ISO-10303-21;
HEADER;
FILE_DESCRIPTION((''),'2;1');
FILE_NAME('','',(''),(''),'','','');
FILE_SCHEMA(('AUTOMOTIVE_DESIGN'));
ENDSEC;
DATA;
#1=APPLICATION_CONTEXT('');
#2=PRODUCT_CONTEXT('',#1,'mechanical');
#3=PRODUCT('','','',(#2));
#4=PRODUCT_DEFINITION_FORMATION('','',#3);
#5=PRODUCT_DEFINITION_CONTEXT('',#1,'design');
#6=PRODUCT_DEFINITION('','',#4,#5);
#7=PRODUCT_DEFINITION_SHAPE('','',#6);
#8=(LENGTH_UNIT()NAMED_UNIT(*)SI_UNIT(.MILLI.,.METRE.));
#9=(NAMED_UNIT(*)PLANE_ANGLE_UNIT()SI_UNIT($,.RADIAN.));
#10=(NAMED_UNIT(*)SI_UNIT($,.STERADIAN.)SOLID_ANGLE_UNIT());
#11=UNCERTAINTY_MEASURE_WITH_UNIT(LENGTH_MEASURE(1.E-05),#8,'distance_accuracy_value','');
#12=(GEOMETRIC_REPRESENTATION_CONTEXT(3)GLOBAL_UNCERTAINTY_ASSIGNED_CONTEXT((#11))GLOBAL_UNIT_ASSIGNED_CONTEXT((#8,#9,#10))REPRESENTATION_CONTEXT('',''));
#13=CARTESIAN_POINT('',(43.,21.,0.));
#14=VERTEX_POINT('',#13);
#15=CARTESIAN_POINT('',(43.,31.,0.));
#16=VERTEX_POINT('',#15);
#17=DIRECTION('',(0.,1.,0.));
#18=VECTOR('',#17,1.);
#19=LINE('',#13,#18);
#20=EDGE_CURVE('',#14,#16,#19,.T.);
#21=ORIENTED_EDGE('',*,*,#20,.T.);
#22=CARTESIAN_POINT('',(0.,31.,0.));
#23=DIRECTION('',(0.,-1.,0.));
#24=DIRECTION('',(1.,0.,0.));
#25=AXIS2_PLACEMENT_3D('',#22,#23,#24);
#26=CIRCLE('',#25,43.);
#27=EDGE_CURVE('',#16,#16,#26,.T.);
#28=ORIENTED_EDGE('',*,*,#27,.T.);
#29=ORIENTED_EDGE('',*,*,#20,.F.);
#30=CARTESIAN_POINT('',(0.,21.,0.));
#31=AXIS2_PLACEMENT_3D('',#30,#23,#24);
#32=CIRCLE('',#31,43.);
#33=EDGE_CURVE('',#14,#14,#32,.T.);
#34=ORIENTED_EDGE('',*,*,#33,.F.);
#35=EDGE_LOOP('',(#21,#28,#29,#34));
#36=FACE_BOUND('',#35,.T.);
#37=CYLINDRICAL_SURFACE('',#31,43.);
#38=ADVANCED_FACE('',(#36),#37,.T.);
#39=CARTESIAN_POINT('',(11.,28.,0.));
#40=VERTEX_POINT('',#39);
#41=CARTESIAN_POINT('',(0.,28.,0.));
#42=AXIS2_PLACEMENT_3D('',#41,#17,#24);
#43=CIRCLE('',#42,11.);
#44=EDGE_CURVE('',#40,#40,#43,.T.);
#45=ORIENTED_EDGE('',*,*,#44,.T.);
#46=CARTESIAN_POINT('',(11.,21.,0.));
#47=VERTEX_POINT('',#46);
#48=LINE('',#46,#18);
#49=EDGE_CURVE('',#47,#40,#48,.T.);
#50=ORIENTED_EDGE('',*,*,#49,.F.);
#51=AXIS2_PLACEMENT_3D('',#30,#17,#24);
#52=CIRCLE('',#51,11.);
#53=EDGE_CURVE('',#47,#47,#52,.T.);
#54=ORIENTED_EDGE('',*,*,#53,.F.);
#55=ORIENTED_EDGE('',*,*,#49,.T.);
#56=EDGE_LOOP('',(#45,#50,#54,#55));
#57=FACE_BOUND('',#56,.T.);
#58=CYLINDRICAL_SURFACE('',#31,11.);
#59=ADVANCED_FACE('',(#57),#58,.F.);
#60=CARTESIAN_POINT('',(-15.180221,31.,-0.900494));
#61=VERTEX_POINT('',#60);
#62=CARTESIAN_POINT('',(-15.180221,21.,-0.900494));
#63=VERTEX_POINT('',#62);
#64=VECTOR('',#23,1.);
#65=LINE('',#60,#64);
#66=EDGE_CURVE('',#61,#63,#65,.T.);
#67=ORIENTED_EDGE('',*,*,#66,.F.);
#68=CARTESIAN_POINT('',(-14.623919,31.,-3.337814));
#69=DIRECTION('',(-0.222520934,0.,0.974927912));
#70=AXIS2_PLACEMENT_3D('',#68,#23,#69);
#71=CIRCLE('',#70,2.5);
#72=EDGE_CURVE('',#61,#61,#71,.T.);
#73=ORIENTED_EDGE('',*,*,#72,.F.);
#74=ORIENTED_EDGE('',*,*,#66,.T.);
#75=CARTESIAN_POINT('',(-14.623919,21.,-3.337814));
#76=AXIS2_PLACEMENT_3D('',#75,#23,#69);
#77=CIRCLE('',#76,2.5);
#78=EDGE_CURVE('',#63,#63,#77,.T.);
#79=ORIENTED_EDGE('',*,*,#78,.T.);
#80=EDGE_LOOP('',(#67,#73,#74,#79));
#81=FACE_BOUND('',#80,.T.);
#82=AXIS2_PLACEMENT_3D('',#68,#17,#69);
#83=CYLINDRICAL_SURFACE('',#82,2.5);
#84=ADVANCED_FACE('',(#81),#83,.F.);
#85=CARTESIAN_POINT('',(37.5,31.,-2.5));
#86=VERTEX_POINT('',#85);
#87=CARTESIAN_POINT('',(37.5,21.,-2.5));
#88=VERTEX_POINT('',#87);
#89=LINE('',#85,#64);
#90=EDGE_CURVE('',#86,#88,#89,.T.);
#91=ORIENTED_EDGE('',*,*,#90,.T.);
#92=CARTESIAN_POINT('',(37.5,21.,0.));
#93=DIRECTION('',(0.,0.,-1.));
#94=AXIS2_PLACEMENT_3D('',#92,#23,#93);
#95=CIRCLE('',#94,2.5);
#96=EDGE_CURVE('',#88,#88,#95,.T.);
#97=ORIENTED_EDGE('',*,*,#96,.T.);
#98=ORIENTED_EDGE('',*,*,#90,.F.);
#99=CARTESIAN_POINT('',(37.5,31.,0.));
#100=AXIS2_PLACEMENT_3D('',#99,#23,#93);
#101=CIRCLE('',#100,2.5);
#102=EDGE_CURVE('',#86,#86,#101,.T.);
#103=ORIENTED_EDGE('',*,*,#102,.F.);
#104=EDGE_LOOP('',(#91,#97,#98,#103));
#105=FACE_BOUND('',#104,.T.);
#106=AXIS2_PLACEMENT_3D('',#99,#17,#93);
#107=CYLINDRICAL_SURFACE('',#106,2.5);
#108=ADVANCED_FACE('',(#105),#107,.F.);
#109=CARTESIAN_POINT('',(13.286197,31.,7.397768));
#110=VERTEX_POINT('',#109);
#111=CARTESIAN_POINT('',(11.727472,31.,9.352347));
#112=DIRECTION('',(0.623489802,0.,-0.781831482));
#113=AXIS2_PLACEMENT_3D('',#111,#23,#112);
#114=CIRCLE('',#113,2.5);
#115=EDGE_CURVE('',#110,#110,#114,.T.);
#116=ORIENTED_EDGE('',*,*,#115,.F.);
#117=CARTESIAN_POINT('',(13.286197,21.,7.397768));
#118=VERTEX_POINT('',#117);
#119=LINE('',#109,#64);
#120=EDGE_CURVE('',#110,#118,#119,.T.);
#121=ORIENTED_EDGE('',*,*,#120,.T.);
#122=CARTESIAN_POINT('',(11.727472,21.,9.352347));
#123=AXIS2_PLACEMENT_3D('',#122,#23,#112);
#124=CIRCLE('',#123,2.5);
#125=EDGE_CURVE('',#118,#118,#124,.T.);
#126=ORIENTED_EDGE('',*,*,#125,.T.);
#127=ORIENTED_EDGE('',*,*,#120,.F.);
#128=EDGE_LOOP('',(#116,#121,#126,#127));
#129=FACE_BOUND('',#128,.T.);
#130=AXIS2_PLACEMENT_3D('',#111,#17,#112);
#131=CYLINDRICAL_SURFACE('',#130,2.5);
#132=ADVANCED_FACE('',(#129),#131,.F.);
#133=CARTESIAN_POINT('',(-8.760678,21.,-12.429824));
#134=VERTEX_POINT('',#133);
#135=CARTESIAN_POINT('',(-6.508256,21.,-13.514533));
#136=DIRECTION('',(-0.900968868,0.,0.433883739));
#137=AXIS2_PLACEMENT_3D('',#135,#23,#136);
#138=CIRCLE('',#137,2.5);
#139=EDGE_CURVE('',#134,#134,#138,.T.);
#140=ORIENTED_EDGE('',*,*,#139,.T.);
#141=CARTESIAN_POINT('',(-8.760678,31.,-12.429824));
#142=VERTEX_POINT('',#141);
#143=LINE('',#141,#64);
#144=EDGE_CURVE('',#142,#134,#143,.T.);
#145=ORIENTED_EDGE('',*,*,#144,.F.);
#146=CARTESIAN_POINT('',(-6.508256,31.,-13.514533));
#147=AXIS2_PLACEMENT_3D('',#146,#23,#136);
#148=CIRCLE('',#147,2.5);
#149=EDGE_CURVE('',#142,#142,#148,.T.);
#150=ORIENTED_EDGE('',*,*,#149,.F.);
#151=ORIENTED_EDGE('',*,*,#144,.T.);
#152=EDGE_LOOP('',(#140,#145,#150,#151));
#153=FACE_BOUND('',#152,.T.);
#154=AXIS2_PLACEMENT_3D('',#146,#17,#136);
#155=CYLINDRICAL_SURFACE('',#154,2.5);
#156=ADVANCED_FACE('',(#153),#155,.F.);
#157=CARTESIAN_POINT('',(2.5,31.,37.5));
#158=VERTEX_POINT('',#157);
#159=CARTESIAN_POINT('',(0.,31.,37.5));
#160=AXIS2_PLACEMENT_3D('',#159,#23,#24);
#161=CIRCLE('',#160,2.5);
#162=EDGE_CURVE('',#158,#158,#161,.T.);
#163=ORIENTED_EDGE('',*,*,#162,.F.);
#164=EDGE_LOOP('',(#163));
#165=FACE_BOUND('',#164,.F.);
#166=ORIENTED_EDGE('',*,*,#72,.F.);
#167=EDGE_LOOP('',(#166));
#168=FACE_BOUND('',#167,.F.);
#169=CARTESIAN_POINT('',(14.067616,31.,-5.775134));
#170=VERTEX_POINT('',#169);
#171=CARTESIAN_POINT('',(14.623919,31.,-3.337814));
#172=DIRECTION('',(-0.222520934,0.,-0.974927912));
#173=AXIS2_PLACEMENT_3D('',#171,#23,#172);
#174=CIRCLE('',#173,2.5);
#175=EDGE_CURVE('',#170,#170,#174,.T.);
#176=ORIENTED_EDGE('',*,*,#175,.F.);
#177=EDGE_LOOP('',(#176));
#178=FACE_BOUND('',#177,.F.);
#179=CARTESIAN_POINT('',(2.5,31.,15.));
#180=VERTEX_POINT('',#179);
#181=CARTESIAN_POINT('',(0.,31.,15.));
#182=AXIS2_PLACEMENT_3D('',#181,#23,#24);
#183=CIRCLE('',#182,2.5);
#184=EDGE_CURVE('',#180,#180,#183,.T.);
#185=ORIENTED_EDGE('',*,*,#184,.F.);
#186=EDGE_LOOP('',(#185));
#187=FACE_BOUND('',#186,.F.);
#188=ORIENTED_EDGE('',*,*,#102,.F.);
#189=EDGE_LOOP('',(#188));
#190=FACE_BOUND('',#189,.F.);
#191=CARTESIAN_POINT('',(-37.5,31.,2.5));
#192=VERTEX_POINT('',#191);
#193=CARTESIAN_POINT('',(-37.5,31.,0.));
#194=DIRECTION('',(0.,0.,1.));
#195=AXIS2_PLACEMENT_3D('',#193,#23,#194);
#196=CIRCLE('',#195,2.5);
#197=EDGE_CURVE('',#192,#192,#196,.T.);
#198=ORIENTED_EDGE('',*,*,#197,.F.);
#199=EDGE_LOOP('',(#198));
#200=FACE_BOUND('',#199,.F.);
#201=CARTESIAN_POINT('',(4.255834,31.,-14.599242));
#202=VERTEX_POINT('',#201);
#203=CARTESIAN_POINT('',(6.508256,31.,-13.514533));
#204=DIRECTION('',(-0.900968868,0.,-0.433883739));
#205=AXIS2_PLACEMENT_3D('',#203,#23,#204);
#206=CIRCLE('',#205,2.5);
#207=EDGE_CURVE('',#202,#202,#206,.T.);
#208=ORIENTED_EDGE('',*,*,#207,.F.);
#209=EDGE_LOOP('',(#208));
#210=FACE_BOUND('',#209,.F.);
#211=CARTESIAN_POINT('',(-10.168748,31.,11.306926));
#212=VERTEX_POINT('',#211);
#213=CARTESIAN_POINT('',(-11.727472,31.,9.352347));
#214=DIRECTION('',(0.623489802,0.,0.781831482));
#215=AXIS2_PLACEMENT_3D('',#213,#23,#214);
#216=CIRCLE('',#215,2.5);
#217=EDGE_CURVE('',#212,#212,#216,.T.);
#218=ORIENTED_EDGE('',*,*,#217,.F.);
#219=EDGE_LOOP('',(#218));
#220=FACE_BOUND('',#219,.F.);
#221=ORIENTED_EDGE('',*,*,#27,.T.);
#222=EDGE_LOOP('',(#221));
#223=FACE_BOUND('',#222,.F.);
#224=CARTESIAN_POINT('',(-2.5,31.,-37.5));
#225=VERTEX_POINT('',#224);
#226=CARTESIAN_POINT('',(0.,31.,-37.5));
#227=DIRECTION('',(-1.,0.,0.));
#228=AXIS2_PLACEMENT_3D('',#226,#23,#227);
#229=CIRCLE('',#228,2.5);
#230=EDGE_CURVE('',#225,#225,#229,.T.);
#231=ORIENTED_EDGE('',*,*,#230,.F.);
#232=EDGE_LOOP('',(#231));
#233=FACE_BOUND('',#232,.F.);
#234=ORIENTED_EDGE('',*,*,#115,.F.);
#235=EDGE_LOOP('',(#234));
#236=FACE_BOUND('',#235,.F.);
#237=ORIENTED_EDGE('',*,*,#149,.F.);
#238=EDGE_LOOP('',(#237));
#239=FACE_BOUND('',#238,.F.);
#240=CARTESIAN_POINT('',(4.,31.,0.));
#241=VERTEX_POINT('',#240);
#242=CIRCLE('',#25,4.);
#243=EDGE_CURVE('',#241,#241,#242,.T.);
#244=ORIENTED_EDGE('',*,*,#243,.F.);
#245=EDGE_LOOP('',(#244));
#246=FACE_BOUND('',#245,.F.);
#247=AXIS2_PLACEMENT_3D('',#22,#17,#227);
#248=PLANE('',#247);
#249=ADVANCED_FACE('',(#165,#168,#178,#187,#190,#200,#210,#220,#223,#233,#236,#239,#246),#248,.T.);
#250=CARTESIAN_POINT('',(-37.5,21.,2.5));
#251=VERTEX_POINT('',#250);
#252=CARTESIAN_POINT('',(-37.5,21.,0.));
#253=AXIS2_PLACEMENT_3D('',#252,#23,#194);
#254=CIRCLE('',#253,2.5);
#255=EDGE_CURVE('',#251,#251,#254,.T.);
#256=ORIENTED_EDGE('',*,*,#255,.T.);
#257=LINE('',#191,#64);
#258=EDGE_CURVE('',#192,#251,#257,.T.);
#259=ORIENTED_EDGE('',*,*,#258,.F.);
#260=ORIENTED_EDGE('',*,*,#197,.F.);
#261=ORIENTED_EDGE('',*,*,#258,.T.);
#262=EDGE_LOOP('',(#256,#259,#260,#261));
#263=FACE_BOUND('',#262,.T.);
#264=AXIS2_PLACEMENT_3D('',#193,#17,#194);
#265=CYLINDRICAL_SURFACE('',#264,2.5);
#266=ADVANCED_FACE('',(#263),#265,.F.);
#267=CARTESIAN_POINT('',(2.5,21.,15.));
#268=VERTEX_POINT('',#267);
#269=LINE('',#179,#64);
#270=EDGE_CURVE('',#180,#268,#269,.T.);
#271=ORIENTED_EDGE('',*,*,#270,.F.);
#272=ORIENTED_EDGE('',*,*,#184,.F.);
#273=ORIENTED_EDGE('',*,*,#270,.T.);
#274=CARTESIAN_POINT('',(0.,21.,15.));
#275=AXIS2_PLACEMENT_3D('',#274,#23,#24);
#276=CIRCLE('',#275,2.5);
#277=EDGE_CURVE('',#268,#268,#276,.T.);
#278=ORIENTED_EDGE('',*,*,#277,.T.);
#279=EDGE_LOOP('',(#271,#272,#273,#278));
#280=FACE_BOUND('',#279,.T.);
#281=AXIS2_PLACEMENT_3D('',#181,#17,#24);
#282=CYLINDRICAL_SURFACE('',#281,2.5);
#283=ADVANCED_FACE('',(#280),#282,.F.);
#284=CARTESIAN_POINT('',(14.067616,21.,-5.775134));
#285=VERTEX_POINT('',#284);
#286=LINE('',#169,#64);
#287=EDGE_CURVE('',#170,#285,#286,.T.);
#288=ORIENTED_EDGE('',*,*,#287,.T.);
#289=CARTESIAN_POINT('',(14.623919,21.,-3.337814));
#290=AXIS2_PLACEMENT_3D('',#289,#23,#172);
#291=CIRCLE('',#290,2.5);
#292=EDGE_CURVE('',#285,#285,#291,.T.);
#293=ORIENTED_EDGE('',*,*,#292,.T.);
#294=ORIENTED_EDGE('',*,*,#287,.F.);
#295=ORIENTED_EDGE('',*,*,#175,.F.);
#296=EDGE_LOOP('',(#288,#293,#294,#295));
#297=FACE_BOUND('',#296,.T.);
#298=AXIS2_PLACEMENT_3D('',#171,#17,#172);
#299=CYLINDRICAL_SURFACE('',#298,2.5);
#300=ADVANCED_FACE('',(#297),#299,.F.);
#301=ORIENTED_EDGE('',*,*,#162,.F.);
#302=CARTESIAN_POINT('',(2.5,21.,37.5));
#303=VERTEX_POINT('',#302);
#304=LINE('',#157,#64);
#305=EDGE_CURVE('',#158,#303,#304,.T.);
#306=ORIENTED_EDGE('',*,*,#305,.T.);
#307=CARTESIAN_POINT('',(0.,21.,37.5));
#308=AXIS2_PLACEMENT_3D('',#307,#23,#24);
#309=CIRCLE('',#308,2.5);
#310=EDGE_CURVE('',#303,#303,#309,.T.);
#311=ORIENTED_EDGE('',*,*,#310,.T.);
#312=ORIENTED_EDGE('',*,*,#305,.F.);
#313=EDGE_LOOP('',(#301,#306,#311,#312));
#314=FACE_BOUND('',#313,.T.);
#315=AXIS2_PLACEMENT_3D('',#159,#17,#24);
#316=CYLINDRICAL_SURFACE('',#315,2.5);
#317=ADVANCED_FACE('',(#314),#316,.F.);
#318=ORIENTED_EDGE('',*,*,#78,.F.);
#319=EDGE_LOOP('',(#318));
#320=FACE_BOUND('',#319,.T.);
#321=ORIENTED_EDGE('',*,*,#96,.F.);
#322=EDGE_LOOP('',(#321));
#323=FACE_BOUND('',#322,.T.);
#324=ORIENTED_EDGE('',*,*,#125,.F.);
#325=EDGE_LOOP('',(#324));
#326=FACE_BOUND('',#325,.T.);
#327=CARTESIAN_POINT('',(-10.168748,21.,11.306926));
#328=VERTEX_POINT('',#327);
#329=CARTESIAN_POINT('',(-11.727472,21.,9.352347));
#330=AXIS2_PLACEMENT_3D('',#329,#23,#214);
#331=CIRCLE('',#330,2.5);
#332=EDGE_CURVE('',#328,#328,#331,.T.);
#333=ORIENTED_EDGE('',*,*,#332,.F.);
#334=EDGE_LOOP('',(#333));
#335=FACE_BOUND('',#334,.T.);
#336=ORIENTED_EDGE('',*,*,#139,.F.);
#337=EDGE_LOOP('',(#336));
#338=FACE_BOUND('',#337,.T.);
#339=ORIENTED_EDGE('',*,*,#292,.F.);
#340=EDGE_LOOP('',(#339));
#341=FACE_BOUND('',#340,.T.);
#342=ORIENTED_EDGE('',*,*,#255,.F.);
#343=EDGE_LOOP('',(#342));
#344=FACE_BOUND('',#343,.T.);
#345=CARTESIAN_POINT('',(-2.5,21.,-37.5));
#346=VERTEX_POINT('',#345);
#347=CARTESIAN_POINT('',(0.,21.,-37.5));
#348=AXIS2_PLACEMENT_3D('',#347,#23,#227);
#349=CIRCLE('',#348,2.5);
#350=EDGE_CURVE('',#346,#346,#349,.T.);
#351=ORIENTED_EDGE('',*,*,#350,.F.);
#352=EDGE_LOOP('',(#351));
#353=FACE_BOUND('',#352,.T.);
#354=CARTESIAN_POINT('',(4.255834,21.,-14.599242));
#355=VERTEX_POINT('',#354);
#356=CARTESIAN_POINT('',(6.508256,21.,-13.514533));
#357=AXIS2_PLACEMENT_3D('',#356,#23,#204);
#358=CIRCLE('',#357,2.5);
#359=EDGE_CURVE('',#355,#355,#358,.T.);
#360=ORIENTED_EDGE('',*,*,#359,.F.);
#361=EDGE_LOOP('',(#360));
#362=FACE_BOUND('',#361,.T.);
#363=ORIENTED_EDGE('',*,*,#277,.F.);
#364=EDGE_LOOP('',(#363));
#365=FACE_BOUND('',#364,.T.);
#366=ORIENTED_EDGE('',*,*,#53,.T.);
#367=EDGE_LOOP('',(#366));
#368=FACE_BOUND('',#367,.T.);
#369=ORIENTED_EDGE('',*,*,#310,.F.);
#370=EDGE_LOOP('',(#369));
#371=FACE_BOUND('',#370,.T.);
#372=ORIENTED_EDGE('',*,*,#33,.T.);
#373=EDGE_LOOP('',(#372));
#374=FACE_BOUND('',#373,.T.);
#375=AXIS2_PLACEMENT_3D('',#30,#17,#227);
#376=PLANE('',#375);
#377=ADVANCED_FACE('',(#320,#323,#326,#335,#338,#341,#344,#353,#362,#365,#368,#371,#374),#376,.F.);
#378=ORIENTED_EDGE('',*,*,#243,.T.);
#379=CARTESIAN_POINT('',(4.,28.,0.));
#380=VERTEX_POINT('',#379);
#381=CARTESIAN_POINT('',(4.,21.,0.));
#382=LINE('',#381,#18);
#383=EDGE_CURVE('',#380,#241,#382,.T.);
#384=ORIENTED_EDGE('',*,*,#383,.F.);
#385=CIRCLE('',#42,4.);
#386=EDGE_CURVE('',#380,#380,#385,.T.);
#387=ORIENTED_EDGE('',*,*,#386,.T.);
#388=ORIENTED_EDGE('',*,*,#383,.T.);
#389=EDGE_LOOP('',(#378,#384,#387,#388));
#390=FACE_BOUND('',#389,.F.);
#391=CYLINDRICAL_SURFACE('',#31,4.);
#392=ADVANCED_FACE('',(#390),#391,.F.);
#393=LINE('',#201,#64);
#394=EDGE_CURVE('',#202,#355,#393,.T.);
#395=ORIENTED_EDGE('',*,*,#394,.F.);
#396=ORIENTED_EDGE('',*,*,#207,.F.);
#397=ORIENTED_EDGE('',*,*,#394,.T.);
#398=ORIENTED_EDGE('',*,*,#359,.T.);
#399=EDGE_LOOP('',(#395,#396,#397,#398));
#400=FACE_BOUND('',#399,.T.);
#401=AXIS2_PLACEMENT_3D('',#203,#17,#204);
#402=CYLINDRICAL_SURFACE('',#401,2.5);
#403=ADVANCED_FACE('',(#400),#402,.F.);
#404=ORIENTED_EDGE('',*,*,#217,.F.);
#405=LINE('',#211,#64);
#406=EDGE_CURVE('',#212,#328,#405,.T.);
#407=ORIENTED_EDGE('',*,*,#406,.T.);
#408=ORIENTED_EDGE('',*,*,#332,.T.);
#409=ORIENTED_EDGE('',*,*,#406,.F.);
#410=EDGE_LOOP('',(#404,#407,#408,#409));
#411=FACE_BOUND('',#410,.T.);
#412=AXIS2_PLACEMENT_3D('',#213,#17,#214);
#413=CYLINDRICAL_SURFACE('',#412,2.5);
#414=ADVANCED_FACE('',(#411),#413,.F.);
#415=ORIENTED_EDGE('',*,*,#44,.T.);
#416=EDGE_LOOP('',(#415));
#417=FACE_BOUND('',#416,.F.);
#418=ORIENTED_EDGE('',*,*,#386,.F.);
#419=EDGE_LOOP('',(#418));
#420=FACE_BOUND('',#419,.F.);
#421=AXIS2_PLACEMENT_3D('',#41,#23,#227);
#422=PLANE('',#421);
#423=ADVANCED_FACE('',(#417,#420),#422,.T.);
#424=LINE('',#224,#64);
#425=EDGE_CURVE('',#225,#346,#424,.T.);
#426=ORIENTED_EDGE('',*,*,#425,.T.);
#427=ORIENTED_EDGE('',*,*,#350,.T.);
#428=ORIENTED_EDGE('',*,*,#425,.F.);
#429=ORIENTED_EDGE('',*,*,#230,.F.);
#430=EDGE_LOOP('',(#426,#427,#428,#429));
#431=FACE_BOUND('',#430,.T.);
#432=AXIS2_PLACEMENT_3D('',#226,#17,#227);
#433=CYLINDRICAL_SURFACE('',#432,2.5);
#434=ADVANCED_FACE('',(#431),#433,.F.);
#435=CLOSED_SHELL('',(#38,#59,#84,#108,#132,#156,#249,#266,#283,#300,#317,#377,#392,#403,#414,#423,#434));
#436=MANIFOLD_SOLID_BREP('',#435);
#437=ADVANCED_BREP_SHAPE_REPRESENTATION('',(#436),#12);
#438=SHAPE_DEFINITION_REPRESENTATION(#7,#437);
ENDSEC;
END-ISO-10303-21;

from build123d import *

# Parameters (mm, degrees)
SKETCH008_R           = 43
SKETCH008_R_2         = 4
PAD002_DEPTH          = 10
SKETCH009_R           = 11
POCKET002_DEPTH       = 7
SKETCH010_R           = 2.5
POCKET003_DEPTH       = 254.066565
POLARPATTERN001_COUNT = 7
SKETCH011_R           = 2.5
POCKET004_DEPTH       = 254.066565
POLARPATTERN002_COUNT = 4


with BuildPart() as sidecap:
    # Sketch008 → Pad002 (new body)
    with BuildSketch(Plane.XZ):
        Circle(SKETCH008_R)
        Circle(SKETCH008_R_2, mode=Mode.SUBTRACT)
    extrude(amount=PAD002_DEPTH)

    # Sketch009 (on Face3 of Pad002) → Pocket002 (cut)
    with BuildSketch(Plane(origin=(0, 0, 0), x_dir=(1, 0, 0), z_dir=(0, 1, 0))):
        Circle(SKETCH009_R)
    extrude(amount=-POCKET002_DEPTH, mode=Mode.SUBTRACT)

    # Sketch010 (on Face3 of Pocket002) → Pocket003 (cut, through all)
    with BuildSketch(Plane.XZ.offset(10)):
        with Locations((0, 15)):
            Circle(SKETCH010_R)
    pocket003 = extrude(amount=-POCKET003_DEPTH, mode=Mode.SUBTRACT)

    # PolarPattern001: Pocket003 ×7 about axis
    polarpattern001_axis = Axis((0, -10, 0), (0, -1, 0))
    for i in range(1, POLARPATTERN001_COUNT):
        add(pocket003.rotate(polarpattern001_axis, i * 360 / POLARPATTERN001_COUNT), mode=Mode.SUBTRACT)

    # Sketch011 (on Face3 of PolarPattern001) → Pocket004 (cut, through all)
    with BuildSketch(Plane.XZ.offset(10)):
        with Locations((0, 37.5)):
            Circle(SKETCH011_R)
    pocket004 = extrude(amount=-POCKET004_DEPTH, mode=Mode.SUBTRACT)

    # PolarPattern002: Pocket004 ×4 about axis
    polarpattern002_axis = Axis((0, -10, 0), (0, -1, 0))
    for i in range(1, POLARPATTERN002_COUNT):
        add(pocket004.rotate(polarpattern002_axis, i * 360 / POLARPATTERN002_COUNT), mode=Mode.SUBTRACT)


with BuildPart() as sidecap_1:
    # Body003 placement: moved
    add(sidecap.part.moved(Location((0, -21, 0))))


with BuildPart() as part_mirroring:
    # Part__Mirroring: instance of SideCap
    add(sidecap_1.part.mirror(Plane(origin=(0, 0, 0), x_dir=(1, 0, 0), z_dir=(0, 1, 0))))


solid = part_mirroring.part
